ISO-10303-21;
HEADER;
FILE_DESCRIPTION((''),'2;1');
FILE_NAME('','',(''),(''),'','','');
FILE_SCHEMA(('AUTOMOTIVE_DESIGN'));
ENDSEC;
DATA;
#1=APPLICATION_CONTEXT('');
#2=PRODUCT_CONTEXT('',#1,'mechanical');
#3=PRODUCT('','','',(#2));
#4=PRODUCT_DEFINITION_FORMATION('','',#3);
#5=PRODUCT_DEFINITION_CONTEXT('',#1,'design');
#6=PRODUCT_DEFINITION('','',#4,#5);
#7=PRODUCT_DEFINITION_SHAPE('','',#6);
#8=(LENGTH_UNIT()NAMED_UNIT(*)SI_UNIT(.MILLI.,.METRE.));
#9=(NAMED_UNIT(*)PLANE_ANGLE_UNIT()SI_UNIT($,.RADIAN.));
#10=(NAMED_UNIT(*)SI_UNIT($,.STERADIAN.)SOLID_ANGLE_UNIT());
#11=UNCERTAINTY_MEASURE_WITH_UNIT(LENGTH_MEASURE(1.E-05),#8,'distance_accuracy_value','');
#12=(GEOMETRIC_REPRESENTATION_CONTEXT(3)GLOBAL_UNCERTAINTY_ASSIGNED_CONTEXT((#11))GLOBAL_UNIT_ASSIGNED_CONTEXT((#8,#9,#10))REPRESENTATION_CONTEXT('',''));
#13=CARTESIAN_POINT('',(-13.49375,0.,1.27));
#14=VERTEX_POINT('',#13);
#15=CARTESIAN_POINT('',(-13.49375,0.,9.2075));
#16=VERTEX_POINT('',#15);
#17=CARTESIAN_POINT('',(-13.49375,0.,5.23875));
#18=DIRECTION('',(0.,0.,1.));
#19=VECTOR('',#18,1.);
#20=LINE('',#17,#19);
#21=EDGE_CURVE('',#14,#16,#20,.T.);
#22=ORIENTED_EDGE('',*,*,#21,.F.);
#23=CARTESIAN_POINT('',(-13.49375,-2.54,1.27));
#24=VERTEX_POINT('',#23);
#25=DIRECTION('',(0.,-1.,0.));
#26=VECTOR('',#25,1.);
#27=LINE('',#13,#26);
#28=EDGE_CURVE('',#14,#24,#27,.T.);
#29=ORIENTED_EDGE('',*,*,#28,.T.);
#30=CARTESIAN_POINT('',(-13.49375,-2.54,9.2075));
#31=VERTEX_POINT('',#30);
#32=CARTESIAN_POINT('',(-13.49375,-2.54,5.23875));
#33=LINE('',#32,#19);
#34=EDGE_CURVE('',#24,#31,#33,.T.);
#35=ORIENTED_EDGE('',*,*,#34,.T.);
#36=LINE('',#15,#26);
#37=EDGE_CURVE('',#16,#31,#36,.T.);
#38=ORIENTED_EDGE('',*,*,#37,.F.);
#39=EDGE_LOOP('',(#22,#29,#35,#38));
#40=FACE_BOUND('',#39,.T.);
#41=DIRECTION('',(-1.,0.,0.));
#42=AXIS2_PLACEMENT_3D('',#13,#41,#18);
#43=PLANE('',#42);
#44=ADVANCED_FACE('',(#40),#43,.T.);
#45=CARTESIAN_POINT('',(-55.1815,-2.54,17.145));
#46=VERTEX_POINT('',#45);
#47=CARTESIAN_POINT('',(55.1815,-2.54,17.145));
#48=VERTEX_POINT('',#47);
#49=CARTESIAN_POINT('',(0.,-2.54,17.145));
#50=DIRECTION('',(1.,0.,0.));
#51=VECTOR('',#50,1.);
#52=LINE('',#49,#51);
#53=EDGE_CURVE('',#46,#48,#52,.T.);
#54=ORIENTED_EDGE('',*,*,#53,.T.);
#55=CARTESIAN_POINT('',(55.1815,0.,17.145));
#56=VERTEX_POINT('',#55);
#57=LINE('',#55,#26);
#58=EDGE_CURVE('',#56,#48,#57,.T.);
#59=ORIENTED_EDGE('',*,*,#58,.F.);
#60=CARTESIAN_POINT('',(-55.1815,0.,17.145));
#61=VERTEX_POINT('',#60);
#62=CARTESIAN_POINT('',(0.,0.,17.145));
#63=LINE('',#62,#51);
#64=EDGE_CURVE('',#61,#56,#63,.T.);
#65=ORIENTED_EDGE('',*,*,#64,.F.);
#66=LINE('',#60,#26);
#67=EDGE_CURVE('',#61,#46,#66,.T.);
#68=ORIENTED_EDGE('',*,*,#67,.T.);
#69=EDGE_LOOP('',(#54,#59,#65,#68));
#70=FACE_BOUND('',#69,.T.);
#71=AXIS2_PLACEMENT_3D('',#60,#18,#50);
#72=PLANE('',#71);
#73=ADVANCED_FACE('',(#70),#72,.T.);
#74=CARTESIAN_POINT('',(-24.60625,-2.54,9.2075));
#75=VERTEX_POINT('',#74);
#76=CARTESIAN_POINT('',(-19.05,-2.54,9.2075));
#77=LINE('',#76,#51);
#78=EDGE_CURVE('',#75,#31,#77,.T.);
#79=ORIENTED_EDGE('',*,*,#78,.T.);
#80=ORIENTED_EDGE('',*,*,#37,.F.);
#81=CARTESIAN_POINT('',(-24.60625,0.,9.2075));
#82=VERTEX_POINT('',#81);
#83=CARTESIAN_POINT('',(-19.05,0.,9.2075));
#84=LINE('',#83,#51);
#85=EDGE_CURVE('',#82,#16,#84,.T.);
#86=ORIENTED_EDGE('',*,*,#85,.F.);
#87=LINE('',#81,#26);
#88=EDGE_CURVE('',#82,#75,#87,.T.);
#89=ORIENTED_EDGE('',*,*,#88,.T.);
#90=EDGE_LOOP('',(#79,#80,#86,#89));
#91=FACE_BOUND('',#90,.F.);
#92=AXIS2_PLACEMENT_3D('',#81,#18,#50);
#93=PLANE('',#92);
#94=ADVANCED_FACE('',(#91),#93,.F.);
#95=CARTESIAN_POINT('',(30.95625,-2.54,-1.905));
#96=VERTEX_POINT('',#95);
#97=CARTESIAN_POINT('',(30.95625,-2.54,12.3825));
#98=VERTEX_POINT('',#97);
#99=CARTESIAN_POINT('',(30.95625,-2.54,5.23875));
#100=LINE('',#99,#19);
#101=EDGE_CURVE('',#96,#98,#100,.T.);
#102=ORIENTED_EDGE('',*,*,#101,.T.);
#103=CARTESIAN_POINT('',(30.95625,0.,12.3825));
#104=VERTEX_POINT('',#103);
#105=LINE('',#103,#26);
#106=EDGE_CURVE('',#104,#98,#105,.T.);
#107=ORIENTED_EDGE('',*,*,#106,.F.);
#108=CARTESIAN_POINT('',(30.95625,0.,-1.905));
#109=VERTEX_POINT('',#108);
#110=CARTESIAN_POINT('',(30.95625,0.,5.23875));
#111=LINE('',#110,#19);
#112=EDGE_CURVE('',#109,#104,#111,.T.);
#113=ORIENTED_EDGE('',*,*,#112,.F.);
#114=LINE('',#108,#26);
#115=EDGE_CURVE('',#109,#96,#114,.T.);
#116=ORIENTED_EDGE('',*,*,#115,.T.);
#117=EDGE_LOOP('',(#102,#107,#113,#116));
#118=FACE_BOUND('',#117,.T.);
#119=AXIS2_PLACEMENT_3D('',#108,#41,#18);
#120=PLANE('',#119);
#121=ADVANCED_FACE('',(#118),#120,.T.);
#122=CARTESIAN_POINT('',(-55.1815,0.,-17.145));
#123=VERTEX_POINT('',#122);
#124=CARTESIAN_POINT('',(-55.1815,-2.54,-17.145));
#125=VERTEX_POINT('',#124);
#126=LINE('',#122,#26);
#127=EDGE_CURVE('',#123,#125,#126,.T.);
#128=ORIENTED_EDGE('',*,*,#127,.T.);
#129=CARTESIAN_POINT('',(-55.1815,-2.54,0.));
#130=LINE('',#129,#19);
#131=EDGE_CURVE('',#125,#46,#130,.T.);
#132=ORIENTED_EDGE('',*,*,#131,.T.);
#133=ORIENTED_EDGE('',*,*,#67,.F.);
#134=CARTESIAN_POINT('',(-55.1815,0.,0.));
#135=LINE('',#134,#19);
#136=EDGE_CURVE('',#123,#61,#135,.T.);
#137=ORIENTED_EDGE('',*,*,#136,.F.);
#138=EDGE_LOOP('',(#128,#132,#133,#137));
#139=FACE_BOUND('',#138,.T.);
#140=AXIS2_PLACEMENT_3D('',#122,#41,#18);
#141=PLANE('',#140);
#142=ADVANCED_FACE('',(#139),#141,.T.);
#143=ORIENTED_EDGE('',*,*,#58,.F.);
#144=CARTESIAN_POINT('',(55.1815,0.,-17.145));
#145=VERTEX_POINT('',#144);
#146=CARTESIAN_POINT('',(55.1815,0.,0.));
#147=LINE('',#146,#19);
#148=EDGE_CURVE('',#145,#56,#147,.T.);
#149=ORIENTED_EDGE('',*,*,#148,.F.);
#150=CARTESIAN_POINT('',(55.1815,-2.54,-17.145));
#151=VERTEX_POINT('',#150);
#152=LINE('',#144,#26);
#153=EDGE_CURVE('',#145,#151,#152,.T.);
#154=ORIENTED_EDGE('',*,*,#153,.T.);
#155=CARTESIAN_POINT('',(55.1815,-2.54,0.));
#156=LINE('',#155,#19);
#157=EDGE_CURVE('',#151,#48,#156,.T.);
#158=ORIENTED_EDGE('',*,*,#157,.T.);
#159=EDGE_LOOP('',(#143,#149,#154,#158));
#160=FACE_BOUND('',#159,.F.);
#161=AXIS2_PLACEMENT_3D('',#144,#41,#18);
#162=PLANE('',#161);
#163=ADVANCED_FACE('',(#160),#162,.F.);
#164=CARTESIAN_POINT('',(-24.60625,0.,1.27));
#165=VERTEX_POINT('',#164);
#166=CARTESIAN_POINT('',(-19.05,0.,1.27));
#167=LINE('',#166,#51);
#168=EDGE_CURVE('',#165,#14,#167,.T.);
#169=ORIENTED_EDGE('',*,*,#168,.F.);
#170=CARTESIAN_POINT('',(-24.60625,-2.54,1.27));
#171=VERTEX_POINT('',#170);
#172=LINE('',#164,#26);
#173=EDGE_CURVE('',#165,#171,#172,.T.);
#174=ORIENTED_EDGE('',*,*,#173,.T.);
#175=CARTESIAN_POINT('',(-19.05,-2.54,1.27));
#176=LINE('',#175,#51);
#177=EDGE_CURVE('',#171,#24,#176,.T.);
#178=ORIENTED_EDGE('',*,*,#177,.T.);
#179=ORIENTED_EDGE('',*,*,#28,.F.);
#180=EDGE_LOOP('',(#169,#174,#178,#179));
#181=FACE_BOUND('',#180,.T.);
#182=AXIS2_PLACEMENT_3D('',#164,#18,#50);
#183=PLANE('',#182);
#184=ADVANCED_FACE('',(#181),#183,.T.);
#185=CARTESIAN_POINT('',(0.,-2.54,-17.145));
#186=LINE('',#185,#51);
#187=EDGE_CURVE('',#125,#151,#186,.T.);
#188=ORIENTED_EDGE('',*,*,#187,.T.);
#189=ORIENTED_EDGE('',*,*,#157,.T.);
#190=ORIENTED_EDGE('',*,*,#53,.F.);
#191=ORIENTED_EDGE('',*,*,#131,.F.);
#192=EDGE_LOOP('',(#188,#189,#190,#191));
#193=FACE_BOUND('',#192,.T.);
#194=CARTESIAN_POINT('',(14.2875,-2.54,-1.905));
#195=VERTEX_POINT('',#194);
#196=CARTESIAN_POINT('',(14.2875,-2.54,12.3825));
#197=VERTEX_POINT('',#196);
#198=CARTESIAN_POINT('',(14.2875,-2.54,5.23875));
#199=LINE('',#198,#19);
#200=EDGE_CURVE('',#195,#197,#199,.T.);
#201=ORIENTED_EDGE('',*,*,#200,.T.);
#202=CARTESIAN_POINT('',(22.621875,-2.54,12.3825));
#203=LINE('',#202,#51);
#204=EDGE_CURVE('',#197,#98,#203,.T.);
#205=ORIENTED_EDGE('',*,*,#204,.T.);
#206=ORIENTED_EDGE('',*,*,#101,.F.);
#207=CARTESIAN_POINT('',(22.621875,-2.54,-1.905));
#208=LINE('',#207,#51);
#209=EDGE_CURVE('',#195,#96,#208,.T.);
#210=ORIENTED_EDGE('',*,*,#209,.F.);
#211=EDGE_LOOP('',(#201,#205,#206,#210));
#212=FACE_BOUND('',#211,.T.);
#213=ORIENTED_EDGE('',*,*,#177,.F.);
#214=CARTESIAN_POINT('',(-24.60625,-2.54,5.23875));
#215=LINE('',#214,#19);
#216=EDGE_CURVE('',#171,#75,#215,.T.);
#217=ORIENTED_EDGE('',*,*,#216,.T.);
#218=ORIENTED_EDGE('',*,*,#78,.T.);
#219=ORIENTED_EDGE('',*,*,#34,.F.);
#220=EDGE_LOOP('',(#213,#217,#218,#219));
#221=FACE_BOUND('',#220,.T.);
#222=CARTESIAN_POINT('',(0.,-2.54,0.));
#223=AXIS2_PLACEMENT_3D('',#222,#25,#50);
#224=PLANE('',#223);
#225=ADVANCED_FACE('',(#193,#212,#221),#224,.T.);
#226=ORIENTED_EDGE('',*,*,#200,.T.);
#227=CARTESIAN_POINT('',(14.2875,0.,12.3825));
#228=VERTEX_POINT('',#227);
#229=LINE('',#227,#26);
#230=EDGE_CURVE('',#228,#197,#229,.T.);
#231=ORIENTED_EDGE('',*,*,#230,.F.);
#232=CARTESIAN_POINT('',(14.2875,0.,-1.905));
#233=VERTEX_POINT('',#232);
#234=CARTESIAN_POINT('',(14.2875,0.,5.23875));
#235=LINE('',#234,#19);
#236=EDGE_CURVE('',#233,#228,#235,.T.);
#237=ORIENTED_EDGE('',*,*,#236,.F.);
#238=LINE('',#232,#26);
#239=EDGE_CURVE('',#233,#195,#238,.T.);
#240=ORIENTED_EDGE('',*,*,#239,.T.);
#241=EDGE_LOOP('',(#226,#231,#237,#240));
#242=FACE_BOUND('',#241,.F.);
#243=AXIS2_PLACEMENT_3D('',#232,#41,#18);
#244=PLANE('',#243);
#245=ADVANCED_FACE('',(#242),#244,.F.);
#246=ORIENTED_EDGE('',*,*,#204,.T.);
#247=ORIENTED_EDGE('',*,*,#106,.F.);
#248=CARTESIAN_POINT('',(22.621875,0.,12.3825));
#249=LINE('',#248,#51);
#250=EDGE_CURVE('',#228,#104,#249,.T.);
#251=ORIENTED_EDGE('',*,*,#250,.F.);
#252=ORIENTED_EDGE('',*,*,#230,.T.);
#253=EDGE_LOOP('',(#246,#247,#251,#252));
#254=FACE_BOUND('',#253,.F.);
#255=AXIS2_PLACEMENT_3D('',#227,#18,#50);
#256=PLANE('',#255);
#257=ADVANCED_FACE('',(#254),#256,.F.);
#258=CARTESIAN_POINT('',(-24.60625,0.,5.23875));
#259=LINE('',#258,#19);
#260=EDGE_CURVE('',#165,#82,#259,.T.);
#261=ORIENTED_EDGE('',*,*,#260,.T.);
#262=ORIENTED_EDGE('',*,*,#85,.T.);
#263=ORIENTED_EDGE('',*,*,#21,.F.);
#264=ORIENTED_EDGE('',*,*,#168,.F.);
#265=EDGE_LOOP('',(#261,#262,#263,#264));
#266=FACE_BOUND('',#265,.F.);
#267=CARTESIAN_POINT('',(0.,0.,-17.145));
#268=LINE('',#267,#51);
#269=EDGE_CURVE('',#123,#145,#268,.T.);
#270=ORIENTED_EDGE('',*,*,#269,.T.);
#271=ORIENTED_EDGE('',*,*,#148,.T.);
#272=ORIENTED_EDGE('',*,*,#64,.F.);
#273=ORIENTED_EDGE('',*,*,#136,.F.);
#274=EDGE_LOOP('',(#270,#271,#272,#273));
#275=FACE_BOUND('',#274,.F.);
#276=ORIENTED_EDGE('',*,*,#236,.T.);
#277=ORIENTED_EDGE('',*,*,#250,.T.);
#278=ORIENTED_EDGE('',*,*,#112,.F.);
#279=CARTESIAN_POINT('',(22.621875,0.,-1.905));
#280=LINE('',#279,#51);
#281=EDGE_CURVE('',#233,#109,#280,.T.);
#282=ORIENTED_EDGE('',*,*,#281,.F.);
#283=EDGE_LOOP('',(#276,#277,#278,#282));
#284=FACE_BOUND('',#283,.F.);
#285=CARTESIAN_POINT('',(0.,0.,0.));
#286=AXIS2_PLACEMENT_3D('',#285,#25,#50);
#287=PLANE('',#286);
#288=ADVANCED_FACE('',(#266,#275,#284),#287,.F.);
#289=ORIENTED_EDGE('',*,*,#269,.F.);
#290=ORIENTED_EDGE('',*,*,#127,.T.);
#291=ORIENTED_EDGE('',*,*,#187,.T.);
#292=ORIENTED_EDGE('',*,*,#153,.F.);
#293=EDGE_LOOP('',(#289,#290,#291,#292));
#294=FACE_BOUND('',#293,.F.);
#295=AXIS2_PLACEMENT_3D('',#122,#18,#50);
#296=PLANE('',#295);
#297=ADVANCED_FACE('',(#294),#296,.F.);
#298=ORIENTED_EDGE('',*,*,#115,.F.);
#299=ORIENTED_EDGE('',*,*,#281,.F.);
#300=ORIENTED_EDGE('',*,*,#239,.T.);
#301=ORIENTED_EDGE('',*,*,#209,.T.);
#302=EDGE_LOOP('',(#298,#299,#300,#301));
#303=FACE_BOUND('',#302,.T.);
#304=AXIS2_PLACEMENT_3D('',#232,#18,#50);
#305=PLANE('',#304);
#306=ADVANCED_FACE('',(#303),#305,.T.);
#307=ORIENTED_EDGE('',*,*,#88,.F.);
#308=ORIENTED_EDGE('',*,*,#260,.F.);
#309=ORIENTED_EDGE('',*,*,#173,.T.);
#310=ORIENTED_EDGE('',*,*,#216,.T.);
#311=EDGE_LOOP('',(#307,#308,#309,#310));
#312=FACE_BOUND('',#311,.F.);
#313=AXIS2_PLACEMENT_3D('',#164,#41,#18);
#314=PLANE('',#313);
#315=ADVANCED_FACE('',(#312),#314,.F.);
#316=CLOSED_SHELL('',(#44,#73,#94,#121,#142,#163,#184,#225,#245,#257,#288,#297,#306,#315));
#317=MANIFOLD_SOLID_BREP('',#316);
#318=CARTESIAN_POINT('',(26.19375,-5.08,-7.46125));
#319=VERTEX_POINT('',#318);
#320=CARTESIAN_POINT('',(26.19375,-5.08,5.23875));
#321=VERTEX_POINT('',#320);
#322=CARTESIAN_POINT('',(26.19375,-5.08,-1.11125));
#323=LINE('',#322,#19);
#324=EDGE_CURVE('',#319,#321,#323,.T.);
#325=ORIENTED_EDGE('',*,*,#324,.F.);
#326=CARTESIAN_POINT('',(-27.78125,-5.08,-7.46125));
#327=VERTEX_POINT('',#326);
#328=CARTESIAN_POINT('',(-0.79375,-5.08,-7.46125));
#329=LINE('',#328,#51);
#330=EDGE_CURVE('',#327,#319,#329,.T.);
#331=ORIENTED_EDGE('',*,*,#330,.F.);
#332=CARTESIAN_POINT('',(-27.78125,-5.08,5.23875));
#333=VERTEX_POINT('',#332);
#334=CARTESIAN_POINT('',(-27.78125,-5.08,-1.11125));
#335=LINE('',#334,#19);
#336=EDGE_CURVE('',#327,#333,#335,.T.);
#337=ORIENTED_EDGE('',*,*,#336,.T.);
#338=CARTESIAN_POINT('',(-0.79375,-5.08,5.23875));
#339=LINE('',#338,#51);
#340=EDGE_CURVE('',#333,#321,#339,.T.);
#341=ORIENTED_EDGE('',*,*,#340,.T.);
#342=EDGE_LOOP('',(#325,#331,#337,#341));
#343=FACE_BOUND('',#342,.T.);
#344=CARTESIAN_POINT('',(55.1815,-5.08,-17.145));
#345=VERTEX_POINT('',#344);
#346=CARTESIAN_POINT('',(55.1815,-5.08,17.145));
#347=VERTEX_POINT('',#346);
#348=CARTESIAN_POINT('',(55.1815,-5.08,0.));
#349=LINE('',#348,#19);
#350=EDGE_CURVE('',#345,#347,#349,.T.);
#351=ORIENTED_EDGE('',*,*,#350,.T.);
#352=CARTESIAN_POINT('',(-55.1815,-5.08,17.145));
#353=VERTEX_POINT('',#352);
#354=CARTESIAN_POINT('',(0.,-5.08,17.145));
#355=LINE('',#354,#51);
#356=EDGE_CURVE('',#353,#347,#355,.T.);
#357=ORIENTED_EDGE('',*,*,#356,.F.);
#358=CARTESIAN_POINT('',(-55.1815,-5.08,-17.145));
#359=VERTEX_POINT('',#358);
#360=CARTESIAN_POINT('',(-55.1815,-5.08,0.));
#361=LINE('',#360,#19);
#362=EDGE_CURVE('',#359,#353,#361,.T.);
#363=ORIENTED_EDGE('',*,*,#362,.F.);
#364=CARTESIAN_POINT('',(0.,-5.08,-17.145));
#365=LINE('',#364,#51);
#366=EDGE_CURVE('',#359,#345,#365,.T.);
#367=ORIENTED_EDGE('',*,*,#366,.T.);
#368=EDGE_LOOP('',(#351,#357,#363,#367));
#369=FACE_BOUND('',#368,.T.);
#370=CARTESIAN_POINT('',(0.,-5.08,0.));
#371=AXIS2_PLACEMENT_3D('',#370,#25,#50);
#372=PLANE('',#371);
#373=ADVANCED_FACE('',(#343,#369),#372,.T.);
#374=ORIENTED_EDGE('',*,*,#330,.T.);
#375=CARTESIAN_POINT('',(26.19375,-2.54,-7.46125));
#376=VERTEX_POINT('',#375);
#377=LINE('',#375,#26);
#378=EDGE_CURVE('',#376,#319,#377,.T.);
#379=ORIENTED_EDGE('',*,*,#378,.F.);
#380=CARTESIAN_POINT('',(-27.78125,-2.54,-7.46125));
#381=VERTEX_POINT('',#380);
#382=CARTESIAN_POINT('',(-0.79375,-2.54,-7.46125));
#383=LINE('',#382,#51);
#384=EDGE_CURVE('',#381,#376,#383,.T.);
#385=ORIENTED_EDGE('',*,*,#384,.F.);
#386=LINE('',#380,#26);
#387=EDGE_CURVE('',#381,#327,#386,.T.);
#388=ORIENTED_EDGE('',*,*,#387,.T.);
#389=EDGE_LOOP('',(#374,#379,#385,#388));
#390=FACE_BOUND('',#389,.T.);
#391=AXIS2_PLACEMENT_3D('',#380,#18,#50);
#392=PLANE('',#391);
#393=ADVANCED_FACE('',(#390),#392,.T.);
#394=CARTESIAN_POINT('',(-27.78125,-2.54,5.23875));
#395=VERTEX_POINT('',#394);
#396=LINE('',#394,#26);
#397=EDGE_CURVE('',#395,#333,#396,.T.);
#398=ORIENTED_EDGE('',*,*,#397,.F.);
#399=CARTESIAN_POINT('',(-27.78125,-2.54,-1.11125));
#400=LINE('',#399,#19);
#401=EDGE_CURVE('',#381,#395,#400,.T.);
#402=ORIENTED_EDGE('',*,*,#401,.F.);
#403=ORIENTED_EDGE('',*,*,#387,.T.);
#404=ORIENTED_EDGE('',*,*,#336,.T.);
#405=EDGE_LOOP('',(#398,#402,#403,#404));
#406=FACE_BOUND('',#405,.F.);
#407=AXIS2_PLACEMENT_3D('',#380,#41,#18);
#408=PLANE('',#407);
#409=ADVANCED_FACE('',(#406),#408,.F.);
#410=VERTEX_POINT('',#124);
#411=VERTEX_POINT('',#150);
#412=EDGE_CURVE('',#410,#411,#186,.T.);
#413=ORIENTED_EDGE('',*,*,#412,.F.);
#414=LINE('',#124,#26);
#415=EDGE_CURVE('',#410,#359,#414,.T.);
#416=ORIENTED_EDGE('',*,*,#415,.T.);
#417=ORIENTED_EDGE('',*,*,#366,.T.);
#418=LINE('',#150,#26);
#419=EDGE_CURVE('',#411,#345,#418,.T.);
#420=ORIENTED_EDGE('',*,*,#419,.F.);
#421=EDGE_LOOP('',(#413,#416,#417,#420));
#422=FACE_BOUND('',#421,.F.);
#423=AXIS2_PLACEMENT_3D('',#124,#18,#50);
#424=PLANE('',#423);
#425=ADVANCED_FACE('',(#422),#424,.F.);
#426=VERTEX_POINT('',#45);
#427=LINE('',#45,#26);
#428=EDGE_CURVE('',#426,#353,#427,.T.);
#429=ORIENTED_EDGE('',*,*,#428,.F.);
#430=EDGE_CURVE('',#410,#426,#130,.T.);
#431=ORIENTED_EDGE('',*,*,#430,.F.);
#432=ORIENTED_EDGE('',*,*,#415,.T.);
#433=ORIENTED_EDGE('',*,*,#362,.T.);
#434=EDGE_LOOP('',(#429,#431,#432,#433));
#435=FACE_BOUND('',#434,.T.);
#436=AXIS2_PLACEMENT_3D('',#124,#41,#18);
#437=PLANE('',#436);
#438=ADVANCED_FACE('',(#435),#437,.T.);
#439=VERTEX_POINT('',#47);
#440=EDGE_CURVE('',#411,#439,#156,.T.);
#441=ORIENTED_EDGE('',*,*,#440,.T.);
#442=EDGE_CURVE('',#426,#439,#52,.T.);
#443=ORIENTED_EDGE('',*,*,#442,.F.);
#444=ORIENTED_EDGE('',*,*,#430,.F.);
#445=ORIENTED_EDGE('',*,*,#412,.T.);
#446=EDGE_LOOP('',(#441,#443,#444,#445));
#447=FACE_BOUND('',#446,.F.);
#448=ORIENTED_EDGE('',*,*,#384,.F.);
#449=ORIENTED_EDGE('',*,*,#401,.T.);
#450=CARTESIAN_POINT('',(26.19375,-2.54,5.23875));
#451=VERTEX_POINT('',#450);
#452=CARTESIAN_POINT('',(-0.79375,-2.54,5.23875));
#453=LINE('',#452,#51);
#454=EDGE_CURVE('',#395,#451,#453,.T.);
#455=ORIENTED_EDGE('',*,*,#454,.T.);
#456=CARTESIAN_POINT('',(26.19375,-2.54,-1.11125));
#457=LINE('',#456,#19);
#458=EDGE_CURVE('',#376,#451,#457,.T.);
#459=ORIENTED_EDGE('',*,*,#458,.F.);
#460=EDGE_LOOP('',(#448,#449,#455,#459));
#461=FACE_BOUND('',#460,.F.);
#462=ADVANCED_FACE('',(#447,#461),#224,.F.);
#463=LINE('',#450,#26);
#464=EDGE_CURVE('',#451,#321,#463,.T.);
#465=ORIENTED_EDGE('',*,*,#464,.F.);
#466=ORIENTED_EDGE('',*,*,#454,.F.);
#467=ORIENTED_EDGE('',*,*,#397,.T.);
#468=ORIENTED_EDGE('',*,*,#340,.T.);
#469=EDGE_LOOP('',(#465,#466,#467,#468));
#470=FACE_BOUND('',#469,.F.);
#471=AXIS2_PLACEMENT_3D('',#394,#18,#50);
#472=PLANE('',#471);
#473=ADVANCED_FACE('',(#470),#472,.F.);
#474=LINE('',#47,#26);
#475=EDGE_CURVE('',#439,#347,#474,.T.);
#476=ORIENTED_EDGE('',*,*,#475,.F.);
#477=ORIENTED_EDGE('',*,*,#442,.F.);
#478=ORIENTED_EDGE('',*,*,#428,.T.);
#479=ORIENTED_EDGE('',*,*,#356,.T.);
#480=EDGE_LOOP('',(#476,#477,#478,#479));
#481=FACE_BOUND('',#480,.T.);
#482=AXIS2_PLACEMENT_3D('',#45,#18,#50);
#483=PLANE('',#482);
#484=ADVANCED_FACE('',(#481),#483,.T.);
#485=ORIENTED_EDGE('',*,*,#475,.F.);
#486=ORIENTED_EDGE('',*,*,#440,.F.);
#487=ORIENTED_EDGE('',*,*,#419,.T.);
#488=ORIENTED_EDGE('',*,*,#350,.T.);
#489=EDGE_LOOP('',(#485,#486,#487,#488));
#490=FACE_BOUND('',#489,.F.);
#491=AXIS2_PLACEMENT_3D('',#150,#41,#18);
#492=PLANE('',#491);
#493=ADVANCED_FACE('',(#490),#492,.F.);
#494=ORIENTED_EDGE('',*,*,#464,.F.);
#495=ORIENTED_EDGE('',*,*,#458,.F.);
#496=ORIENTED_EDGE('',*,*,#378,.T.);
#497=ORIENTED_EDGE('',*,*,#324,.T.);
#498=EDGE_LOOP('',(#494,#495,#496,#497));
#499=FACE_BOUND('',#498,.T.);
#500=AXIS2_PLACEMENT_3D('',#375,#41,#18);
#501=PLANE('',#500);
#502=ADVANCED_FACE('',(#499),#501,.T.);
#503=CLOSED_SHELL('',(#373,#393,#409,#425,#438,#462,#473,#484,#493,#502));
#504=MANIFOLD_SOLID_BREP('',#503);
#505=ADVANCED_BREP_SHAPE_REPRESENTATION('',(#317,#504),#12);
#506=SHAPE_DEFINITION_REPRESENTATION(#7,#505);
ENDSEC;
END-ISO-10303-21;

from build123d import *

# Parameters (mm, degrees)
F0_W     = 110.363
F0_H     = 34.29
F0_W_2   = 11.1125
F0_H_2   = 7.9375
F0_W_3   = 16.66875
F0_H_3   = 14.2875
F1_DEPTH = 2.54
F2_W     = 110.363
F2_H     = 34.29
F2_W_2   = 53.975
F2_H_2   = 12.7
F3_DEPTH = 2.54


with BuildPart() as f1:
    # F0 (on Front) → F1 (new body)
    with BuildSketch(Plane.XZ):
        Rectangle(F0_W, F0_H)
        with Locations((-19.05, 5.23875)):
            Rectangle(F0_W_2, F0_H_2, mode=Mode.SUBTRACT)
        with Locations((22.621875, 5.23875)):
            Rectangle(F0_W_3, F0_H_3, mode=Mode.SUBTRACT)
    extrude(amount=F1_DEPTH)


with BuildPart() as f3:
    # F2 (on face) → F3 (new body)
    with BuildSketch(Plane.XZ.offset(2.54)):
        Rectangle(F2_W, F2_H)
        with Locations((-0.79375, -1.11125)):
            Rectangle(F2_W_2, F2_H_2, mode=Mode.SUBTRACT)
    extrude(amount=F3_DEPTH)


solid = Compound([f1.part, f3.part])
